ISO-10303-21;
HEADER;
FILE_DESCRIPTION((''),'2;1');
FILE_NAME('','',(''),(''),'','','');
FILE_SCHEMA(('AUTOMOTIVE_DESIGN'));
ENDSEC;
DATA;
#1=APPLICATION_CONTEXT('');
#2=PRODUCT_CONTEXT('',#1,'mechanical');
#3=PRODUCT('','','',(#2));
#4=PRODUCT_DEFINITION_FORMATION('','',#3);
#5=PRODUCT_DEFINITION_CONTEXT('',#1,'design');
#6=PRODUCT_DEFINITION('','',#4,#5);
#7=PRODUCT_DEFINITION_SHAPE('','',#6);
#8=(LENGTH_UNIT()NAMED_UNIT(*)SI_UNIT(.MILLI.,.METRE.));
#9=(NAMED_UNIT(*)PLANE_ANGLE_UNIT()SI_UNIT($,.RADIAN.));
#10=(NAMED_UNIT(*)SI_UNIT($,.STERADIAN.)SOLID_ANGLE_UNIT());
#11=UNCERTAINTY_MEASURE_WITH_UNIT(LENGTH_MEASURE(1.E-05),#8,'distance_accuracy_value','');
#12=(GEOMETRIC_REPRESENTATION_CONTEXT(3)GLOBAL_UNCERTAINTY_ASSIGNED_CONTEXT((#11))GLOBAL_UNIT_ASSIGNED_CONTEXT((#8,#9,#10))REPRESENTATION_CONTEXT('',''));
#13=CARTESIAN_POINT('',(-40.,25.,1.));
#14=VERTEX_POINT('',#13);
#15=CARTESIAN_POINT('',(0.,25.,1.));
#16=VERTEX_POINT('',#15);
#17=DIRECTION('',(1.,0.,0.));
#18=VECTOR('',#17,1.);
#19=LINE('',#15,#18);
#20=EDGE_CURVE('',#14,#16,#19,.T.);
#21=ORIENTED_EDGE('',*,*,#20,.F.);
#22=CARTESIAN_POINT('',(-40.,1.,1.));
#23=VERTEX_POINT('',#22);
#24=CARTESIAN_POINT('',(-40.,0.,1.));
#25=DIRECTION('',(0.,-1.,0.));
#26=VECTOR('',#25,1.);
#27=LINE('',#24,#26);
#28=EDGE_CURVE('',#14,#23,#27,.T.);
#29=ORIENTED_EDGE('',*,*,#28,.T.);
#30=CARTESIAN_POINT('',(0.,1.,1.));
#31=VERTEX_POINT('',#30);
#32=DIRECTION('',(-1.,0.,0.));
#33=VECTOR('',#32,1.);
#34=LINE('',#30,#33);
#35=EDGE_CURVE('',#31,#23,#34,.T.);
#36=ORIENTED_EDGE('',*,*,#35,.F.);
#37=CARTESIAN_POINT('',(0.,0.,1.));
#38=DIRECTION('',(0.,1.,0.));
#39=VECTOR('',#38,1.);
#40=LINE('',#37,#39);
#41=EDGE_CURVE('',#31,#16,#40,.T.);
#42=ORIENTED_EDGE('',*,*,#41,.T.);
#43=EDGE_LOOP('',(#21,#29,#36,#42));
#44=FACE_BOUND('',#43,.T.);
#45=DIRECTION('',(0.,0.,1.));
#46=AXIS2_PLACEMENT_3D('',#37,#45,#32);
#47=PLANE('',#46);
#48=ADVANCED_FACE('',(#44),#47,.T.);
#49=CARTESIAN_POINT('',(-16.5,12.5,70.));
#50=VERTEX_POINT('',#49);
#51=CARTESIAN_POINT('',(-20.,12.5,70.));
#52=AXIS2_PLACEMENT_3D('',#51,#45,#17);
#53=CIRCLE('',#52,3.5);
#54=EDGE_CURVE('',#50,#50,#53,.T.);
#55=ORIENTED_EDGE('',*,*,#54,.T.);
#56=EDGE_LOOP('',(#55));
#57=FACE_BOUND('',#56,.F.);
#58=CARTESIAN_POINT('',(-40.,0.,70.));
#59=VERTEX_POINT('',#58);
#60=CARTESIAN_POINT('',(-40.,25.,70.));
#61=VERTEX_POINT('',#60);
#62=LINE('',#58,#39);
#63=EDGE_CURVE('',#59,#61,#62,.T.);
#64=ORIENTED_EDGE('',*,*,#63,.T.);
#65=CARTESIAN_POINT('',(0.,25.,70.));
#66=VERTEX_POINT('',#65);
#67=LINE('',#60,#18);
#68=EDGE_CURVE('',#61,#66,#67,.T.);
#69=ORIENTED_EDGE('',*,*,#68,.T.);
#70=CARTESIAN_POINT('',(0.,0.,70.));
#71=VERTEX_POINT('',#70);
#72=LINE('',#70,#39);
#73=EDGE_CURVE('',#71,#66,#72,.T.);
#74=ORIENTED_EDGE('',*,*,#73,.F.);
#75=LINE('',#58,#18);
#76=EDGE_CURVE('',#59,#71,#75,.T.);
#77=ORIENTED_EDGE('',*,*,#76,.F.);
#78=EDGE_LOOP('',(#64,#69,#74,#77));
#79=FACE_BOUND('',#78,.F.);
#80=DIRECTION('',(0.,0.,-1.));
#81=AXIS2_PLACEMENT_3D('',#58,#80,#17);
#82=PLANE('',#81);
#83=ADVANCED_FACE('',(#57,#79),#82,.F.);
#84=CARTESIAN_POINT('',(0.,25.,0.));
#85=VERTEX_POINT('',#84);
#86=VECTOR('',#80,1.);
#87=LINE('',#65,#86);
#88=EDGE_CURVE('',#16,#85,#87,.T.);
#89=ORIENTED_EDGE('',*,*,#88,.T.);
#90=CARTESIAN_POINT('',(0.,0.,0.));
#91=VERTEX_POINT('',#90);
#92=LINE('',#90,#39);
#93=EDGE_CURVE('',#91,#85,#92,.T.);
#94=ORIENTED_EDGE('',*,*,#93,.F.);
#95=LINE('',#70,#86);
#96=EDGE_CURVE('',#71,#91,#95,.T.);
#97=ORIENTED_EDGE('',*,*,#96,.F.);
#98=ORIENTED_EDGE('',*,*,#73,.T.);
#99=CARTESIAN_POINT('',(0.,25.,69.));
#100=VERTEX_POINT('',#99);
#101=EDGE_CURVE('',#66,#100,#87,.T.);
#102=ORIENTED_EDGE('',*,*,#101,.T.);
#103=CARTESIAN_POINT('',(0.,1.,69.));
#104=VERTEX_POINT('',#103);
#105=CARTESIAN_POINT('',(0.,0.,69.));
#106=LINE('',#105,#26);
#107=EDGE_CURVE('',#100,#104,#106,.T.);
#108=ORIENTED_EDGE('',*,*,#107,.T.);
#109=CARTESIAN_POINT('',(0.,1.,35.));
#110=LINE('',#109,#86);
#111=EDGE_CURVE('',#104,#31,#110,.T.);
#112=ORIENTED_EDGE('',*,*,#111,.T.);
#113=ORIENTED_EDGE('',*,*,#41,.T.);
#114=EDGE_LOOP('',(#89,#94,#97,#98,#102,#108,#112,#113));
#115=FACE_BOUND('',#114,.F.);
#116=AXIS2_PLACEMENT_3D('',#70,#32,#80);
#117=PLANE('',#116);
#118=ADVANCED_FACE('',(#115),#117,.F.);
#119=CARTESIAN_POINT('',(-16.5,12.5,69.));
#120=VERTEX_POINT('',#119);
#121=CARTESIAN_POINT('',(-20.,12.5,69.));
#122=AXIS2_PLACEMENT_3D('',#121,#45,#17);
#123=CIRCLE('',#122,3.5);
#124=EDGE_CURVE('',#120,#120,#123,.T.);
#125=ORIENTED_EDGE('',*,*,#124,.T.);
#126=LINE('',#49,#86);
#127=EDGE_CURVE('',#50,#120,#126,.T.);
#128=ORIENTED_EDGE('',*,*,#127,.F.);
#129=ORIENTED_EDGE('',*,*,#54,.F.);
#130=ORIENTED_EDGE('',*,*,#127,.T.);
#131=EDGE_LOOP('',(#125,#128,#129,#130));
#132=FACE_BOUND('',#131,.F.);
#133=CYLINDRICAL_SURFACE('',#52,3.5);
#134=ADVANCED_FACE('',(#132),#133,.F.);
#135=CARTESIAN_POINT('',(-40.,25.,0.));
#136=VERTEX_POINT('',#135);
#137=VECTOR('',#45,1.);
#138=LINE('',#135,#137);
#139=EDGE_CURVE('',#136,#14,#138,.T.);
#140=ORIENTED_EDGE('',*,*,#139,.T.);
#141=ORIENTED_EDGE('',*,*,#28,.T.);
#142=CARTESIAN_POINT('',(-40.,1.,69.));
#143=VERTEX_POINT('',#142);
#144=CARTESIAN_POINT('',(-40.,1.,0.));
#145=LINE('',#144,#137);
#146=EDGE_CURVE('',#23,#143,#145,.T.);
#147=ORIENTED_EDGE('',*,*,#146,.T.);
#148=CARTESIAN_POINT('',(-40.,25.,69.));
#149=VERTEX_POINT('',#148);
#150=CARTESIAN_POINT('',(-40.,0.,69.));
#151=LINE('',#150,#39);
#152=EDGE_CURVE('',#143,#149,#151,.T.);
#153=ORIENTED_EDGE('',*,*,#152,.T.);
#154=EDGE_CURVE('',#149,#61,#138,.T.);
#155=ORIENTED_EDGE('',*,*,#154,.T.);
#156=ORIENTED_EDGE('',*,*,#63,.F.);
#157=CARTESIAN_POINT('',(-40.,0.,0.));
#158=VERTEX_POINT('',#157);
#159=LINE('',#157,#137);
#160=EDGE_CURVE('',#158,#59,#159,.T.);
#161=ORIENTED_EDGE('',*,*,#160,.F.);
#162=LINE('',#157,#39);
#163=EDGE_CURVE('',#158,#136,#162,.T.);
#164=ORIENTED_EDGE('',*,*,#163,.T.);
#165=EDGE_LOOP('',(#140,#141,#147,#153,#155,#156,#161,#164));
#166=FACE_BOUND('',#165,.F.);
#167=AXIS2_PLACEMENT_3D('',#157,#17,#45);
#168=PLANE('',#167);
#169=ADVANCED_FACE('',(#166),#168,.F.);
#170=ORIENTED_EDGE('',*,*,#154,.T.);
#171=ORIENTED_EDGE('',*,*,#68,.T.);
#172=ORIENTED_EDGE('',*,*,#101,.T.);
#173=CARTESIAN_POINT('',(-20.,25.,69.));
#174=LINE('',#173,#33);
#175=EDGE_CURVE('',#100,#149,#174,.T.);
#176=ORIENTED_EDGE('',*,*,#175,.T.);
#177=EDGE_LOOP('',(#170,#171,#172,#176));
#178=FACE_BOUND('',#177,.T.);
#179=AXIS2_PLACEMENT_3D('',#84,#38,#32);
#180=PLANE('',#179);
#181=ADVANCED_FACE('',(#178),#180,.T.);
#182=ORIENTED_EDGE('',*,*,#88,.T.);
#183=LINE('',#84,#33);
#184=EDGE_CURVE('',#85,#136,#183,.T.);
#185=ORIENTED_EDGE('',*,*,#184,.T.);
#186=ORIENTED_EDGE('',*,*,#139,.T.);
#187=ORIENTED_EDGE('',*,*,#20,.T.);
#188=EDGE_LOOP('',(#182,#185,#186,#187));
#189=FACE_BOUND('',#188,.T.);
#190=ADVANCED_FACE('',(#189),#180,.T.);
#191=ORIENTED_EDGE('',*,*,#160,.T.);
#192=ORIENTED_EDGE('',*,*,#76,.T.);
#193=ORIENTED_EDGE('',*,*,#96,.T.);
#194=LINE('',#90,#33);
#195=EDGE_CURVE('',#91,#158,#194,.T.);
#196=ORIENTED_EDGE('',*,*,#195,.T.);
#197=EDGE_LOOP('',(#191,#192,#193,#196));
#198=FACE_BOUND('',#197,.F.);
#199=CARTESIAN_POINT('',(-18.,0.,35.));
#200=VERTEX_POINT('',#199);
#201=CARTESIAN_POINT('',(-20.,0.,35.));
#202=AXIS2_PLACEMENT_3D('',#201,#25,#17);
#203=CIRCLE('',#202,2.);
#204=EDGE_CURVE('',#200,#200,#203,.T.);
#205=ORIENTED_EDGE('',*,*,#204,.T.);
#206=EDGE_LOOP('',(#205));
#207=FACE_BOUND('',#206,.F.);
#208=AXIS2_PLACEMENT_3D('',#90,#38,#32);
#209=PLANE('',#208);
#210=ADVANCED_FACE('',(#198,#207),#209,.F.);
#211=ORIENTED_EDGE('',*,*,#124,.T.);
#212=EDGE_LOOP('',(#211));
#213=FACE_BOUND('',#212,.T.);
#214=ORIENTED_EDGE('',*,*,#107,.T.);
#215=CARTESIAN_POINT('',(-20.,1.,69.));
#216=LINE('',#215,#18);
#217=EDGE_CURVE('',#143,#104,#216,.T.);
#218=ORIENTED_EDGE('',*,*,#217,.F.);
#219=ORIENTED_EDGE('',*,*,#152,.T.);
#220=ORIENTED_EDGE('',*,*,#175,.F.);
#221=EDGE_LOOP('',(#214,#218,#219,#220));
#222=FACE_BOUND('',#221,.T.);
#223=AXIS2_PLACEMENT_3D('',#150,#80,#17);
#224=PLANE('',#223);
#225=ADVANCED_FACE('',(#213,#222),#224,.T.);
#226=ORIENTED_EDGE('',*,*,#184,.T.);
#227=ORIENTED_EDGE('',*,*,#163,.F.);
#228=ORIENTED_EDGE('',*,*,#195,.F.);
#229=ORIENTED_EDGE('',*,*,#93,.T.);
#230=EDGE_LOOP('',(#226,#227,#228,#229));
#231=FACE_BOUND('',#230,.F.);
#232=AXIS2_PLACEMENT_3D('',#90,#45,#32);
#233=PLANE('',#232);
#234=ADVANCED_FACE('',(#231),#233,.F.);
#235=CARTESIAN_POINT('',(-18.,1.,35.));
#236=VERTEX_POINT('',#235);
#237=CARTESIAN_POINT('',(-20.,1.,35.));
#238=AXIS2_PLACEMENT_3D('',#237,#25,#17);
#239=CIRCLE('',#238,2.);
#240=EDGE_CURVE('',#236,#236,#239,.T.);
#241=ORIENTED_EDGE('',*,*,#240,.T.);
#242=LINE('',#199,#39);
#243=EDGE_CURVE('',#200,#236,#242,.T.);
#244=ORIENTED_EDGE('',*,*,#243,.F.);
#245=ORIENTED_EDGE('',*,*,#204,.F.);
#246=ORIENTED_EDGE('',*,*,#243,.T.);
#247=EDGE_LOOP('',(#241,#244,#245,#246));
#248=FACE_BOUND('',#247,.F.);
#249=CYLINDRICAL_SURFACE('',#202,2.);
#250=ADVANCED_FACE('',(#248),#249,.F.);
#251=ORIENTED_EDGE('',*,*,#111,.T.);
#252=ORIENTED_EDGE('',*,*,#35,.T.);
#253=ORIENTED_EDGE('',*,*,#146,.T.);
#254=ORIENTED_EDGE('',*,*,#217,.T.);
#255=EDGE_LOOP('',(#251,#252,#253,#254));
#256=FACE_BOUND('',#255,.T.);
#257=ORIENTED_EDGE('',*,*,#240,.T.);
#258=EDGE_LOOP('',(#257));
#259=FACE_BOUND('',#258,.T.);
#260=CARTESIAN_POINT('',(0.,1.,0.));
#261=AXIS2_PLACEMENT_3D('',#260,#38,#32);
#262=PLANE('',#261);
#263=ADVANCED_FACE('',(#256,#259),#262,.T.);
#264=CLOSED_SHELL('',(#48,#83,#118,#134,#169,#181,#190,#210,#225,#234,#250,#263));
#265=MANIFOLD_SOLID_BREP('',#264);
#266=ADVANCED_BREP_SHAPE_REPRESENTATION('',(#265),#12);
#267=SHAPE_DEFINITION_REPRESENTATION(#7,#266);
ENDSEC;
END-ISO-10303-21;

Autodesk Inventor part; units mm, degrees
ref_plane "YZ Plane" through (0, 0, 0) normal (1, 0, 0) x (0, 1, 0)
ref_plane "XZ Plane" through (0, 0, 0) normal (0, 1, 0) x (-1, 0, 0)
ref_plane "XY Plane" through (0, 0, 0) normal (0, 0, 1) x (1, 0, 0)
sketch "Sketch6" plane through (0, 0, 0) normal (0, 1, 0) x (-1, 0, 0)
  line L0 (0, 0) -> (40, 0)
  line L1 (40, 0) -> (40, 70)
  line L2 (40, 70) -> (0, 70)
  line L3 (0, 70) -> (0, 0)
  dimension "d10" = 40
  dimension "d11" = 70
extrude "Extrusion3" add sketch "Sketch6" along normal blind 25
shell "Shell1" thickness 1 removed faces 3 at (0, 8.3333, 46.6667) at (-40, 8.3333, 23.3333) at (-26.6667, 25, 23.3333)
sketch "Sketch7" plane through (-40, 0, 70) normal (0, 0, 1) x (1, 0, 0)
  line L0 (0, 25) -> (0, 1) projected
  line L1 (40, 0) -> (0, 0) projected
  line L2 (40, 1) -> (40, 25) projected
  circle A0 centre (20, 12.5) radius 3.5
  dimension "d15" = 7
extrude "Extrusion4" cut sketch "Sketch7" against normal blind 1
sketch "Sketch8" plane through (0, 0, 0) normal (0, -1, 0) x (1, 0, 0)
  line L0 (-40, 70) -> (0, 70) projected
  line L1 (0, 0) -> (-40, 0) projected
  circle A0 centre (-20, 35) radius 2
  dimension "d18" = 4
extrude "Extrusion5" cut sketch "Sketch8" against normal blind 1
properties part number "MAN_SERVO_HANDLER" material "ABS Plastic"
